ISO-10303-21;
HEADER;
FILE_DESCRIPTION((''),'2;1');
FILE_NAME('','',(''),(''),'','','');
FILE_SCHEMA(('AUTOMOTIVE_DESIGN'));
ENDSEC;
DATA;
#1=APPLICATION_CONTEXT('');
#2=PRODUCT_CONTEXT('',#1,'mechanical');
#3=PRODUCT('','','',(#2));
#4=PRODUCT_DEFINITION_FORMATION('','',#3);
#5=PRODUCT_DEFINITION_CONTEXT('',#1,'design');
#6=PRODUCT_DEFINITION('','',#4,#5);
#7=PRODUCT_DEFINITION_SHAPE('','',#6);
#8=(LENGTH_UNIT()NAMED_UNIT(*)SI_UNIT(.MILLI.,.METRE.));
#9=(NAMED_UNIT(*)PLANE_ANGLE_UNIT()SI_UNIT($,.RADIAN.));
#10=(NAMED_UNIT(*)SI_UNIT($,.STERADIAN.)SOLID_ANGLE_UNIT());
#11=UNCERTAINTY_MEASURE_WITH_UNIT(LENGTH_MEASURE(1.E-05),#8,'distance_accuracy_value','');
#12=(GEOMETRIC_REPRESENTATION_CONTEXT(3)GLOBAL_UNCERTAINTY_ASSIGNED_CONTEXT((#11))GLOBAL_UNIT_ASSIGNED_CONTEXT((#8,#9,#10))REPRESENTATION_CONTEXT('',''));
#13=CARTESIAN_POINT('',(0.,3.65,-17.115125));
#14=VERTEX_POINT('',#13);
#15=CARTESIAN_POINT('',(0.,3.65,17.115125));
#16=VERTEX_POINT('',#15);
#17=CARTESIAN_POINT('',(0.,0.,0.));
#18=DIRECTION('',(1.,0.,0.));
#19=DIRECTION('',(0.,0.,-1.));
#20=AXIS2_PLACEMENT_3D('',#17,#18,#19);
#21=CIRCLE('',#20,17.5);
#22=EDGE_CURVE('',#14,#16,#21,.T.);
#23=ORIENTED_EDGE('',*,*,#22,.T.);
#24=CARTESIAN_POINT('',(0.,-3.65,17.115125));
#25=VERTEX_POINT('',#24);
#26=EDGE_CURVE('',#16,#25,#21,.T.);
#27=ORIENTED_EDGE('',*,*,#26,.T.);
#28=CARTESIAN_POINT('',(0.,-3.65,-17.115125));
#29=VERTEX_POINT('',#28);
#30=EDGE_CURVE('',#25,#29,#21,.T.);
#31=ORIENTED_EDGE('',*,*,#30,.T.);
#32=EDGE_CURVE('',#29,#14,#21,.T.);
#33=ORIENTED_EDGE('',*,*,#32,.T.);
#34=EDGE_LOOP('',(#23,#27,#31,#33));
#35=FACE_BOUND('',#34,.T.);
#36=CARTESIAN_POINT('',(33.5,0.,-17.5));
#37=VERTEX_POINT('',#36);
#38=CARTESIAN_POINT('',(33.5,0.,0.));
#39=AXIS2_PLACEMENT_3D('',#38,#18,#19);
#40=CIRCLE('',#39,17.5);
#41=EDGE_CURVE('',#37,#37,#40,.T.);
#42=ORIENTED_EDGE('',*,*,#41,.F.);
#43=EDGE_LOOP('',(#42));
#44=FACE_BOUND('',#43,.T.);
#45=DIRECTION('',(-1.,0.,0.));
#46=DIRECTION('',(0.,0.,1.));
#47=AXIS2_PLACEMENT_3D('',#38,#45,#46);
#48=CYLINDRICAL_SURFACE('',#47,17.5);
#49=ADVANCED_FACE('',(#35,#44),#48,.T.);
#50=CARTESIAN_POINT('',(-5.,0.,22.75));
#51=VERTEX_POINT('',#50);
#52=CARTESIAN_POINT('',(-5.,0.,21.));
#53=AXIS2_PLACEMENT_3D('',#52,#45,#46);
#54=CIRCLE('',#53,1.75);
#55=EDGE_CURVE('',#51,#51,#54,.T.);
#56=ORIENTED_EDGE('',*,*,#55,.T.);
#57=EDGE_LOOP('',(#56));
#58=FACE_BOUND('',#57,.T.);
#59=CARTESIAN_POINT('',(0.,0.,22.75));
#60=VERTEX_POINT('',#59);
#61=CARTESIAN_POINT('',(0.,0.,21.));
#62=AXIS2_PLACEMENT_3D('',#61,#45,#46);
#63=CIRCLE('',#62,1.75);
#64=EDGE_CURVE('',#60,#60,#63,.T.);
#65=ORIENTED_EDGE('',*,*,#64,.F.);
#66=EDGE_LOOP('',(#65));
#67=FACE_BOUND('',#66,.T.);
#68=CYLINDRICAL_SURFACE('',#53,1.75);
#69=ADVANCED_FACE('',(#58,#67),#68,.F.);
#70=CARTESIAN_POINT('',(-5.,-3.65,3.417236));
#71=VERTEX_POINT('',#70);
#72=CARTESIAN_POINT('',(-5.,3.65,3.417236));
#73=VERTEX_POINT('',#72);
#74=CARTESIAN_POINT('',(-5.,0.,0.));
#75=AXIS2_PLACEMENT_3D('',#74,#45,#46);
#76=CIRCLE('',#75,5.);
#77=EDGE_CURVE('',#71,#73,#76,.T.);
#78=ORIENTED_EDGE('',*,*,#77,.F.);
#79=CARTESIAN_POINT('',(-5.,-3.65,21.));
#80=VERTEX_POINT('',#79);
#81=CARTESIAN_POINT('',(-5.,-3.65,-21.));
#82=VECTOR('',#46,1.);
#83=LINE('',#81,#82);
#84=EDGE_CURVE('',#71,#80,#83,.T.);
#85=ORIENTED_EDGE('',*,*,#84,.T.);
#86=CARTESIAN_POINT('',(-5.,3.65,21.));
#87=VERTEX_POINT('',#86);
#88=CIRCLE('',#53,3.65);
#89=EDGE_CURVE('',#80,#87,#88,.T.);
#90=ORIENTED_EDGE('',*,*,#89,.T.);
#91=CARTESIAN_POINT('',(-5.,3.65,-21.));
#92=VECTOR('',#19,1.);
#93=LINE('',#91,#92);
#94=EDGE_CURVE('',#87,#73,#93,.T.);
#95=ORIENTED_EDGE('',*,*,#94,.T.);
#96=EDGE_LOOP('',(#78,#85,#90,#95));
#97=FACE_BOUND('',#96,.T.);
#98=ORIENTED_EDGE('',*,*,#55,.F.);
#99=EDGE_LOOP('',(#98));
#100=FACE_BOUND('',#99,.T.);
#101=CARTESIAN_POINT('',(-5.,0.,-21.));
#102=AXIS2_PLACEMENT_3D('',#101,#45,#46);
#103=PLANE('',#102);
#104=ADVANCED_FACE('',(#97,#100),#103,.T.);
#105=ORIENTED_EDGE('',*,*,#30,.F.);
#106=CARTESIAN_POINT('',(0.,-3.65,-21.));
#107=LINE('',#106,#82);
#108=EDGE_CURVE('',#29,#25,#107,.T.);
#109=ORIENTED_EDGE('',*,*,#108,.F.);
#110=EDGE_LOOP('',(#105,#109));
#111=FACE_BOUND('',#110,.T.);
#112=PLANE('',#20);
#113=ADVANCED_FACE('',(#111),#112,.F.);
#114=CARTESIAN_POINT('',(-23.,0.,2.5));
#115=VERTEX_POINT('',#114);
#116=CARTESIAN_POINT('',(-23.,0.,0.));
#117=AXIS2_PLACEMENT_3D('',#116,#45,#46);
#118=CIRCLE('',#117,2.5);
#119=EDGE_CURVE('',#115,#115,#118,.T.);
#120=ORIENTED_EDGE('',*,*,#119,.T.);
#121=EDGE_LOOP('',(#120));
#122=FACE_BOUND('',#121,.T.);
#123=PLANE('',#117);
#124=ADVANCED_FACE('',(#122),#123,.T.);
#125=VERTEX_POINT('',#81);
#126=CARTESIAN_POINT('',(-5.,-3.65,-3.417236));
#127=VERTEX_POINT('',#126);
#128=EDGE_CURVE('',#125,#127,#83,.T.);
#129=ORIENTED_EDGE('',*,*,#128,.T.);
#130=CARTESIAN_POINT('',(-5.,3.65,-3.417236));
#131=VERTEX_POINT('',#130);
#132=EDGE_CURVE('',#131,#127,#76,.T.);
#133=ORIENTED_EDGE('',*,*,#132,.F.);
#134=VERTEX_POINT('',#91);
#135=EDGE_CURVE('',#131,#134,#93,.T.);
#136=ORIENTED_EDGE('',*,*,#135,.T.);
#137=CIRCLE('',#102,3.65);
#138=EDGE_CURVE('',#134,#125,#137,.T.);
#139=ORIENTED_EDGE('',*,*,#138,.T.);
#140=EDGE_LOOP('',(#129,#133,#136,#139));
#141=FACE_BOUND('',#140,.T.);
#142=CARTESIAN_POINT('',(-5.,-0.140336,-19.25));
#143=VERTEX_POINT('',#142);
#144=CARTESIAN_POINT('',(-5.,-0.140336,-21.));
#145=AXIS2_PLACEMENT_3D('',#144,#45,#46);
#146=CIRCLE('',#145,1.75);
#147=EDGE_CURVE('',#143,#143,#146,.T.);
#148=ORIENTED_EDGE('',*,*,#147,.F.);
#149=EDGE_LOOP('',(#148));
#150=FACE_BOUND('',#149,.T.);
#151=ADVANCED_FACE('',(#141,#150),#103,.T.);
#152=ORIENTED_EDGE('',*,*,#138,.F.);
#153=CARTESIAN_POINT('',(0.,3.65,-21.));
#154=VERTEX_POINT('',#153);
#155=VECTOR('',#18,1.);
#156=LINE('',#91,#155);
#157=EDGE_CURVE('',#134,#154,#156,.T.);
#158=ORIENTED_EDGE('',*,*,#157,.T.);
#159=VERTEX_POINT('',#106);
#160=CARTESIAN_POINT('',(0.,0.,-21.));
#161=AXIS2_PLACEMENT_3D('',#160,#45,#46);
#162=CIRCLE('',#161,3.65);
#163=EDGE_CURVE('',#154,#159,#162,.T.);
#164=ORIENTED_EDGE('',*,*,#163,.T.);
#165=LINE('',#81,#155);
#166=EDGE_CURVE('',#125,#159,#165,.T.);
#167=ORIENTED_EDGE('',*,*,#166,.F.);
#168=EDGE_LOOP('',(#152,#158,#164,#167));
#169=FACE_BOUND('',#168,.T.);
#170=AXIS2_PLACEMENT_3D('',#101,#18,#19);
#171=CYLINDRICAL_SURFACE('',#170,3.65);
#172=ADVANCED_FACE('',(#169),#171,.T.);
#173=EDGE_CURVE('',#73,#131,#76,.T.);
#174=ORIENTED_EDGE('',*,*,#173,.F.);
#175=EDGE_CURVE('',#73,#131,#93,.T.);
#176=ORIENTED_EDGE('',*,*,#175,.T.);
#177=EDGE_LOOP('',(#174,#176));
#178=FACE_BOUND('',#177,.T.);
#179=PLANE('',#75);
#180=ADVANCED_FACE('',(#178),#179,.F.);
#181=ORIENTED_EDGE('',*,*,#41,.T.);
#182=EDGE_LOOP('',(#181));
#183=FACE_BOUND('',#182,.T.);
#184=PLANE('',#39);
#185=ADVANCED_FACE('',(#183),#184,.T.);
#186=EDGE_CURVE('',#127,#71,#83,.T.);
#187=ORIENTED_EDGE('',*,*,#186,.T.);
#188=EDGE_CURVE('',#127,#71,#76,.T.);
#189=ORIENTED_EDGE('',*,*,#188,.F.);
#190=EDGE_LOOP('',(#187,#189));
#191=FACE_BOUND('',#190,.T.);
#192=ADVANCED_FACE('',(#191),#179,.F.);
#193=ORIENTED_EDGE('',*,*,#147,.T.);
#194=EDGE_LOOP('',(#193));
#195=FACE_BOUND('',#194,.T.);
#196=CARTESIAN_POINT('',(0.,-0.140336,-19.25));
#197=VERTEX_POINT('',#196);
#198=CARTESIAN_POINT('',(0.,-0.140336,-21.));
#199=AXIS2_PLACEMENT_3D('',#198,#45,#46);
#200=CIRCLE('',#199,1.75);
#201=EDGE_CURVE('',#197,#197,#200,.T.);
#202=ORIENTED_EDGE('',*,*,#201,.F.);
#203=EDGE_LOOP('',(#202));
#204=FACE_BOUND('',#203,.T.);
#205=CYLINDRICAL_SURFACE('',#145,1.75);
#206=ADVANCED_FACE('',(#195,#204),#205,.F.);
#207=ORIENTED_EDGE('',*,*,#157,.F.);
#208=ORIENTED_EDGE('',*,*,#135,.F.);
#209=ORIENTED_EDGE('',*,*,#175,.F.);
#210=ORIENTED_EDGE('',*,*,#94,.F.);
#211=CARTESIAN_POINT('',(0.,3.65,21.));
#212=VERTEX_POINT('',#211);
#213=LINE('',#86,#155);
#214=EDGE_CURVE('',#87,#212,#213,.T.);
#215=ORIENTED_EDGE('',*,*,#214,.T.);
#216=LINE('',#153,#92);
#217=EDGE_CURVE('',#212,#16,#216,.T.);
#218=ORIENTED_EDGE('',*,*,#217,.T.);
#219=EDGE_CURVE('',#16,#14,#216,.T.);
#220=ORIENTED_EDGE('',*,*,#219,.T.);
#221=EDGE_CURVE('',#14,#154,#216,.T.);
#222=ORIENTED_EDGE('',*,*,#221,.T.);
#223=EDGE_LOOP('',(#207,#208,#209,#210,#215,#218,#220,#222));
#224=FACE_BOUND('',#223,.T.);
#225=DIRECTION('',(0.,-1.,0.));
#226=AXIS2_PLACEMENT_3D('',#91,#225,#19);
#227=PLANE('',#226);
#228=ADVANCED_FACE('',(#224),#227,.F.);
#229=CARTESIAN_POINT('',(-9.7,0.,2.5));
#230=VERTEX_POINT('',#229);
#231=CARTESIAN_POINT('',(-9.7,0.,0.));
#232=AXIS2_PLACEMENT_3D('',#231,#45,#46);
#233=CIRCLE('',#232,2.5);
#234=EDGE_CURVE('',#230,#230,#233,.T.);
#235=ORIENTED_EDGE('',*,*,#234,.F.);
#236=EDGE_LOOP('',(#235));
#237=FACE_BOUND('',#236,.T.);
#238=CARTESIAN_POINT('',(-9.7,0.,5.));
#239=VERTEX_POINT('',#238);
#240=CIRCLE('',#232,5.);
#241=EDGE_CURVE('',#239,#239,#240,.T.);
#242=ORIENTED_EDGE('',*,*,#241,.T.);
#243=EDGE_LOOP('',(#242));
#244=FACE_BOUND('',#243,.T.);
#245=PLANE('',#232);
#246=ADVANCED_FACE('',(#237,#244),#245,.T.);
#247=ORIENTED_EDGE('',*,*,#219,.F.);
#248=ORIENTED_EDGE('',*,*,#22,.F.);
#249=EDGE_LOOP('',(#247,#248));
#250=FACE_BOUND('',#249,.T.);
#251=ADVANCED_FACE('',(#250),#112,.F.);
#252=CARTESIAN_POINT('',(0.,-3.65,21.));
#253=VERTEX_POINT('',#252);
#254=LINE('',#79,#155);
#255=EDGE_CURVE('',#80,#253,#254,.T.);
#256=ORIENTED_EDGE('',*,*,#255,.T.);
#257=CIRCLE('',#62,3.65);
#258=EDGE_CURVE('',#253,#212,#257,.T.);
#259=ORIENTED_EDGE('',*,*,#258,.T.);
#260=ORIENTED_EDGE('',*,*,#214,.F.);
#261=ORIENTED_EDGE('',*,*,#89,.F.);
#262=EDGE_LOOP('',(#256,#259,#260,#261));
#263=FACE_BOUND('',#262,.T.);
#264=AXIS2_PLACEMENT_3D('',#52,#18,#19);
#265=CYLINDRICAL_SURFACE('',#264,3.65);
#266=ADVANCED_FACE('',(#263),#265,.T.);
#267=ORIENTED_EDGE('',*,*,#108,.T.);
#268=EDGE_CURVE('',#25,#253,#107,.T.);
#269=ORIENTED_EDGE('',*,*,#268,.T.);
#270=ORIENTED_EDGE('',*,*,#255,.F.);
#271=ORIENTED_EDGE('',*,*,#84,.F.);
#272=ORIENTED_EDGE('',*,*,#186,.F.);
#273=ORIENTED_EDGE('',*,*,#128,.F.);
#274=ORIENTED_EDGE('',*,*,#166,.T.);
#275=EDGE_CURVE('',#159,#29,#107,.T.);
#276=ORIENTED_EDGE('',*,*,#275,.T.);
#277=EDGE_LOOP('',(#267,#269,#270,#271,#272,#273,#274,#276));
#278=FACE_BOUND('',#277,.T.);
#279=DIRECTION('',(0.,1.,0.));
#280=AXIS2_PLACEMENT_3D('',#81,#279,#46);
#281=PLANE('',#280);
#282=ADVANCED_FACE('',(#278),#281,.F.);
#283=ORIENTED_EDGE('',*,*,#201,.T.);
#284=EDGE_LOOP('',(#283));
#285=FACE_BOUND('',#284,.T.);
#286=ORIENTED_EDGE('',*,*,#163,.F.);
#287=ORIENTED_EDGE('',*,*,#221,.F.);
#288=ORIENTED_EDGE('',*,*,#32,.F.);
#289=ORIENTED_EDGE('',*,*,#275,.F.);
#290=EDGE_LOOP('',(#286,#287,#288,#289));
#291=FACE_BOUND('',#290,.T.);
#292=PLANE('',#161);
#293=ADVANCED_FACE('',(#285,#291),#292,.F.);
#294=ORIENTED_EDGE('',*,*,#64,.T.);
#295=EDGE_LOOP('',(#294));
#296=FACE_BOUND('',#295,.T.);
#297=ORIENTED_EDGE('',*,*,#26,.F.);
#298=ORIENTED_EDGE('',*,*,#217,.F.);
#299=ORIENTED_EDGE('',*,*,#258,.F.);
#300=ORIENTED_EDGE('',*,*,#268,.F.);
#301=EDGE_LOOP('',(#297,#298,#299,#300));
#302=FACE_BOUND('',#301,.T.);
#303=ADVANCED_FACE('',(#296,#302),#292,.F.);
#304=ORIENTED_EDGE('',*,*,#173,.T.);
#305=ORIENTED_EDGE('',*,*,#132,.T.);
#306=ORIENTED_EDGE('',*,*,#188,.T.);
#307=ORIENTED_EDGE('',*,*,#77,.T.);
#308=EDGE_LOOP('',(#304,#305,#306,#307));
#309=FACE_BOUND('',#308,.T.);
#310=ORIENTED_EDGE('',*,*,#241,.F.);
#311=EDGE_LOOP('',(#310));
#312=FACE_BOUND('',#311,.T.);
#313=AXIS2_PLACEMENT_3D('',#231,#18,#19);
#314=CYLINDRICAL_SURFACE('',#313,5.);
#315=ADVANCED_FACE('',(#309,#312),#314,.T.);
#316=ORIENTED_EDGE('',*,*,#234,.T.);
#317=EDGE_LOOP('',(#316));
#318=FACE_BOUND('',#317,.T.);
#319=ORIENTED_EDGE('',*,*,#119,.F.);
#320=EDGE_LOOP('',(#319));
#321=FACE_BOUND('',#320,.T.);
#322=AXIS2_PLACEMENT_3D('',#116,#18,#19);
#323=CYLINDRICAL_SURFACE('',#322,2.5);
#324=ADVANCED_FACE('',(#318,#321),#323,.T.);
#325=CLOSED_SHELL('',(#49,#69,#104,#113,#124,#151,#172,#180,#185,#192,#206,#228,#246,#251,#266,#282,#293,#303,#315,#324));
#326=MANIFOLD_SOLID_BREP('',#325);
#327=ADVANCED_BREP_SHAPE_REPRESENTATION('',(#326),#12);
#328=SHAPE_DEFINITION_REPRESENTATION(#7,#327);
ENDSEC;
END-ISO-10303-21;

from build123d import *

# Parameters (mm, degrees)
SKETCH1_R                      = 17.5
BOSS_EXTRUDE1_DEPTH            = 33.5
BOSS_EXTRUDE2_DEPTH            = 5
F_3_5_3_5_DIAMETER_HOLE1_D     = 3.5
F_3_5_3_5_DIAMETER_HOLE1_DEPTH = 70
F_3_5_3_5_DIAMETER_HOLE1_TIP   = 1.051506083
SKETCH5_R                      = 5
BOSS_EXTRUDE3_DEPTH            = 4.7
SKETCH6_R                      = 2.5
BOSS_EXTRUDE4_DEPTH            = 13.3


with BuildPart() as part:
    # Sketch1 → Boss-Extrude1 (new body)
    with BuildSketch(Plane(origin=(0, 0, 0), x_dir=(0, 0, -1), z_dir=(1, 0, 0))):
        Circle(SKETCH1_R)
    extrude(amount=BOSS_EXTRUDE1_DEPTH)

    # Sketch2 → Boss-Extrude2 (add)
    with BuildSketch(Plane.ZY):
        with BuildLine():
            Line((-21, 3.65), (21, 3.65))
            ThreePointArc((21, 3.65), (24.65, 0), (21, -3.65))
            Line((21, -3.65), (-21, -3.65))
            ThreePointArc((-21, -3.65), (-24.65, 0), (-21, 3.65))
        make_face()
    extrude(amount=BOSS_EXTRUDE2_DEPTH)

    # Ø3.5 (3.5) Diameter Hole1
    with Locations(Plane.ZY.offset(5)):
        with Locations((-21, -0.140336266), (21, 0)):
            Hole(F_3_5_3_5_DIAMETER_HOLE1_D / 2, depth=F_3_5_3_5_DIAMETER_HOLE1_DEPTH)
            with Locations((0, 0, -(F_3_5_3_5_DIAMETER_HOLE1_DEPTH + F_3_5_3_5_DIAMETER_HOLE1_TIP / 2))):  # 118° drill point
                Cone(0, F_3_5_3_5_DIAMETER_HOLE1_D / 2, F_3_5_3_5_DIAMETER_HOLE1_TIP, mode=Mode.SUBTRACT)

    # Sketch5 → Boss-Extrude3 (add)
    with BuildSketch(Plane.ZY.offset(5)):
        with Locations(Location((0, 0, 0), (0, 0, 226.886394054))):
            Circle(SKETCH5_R)
    extrude(amount=BOSS_EXTRUDE3_DEPTH)

    # Sketch6 → Boss-Extrude4 (add)
    with BuildSketch(Plane.ZY.offset(9.7)):
        Circle(SKETCH6_R)
    extrude(amount=BOSS_EXTRUDE4_DEPTH)


solid = part.part
